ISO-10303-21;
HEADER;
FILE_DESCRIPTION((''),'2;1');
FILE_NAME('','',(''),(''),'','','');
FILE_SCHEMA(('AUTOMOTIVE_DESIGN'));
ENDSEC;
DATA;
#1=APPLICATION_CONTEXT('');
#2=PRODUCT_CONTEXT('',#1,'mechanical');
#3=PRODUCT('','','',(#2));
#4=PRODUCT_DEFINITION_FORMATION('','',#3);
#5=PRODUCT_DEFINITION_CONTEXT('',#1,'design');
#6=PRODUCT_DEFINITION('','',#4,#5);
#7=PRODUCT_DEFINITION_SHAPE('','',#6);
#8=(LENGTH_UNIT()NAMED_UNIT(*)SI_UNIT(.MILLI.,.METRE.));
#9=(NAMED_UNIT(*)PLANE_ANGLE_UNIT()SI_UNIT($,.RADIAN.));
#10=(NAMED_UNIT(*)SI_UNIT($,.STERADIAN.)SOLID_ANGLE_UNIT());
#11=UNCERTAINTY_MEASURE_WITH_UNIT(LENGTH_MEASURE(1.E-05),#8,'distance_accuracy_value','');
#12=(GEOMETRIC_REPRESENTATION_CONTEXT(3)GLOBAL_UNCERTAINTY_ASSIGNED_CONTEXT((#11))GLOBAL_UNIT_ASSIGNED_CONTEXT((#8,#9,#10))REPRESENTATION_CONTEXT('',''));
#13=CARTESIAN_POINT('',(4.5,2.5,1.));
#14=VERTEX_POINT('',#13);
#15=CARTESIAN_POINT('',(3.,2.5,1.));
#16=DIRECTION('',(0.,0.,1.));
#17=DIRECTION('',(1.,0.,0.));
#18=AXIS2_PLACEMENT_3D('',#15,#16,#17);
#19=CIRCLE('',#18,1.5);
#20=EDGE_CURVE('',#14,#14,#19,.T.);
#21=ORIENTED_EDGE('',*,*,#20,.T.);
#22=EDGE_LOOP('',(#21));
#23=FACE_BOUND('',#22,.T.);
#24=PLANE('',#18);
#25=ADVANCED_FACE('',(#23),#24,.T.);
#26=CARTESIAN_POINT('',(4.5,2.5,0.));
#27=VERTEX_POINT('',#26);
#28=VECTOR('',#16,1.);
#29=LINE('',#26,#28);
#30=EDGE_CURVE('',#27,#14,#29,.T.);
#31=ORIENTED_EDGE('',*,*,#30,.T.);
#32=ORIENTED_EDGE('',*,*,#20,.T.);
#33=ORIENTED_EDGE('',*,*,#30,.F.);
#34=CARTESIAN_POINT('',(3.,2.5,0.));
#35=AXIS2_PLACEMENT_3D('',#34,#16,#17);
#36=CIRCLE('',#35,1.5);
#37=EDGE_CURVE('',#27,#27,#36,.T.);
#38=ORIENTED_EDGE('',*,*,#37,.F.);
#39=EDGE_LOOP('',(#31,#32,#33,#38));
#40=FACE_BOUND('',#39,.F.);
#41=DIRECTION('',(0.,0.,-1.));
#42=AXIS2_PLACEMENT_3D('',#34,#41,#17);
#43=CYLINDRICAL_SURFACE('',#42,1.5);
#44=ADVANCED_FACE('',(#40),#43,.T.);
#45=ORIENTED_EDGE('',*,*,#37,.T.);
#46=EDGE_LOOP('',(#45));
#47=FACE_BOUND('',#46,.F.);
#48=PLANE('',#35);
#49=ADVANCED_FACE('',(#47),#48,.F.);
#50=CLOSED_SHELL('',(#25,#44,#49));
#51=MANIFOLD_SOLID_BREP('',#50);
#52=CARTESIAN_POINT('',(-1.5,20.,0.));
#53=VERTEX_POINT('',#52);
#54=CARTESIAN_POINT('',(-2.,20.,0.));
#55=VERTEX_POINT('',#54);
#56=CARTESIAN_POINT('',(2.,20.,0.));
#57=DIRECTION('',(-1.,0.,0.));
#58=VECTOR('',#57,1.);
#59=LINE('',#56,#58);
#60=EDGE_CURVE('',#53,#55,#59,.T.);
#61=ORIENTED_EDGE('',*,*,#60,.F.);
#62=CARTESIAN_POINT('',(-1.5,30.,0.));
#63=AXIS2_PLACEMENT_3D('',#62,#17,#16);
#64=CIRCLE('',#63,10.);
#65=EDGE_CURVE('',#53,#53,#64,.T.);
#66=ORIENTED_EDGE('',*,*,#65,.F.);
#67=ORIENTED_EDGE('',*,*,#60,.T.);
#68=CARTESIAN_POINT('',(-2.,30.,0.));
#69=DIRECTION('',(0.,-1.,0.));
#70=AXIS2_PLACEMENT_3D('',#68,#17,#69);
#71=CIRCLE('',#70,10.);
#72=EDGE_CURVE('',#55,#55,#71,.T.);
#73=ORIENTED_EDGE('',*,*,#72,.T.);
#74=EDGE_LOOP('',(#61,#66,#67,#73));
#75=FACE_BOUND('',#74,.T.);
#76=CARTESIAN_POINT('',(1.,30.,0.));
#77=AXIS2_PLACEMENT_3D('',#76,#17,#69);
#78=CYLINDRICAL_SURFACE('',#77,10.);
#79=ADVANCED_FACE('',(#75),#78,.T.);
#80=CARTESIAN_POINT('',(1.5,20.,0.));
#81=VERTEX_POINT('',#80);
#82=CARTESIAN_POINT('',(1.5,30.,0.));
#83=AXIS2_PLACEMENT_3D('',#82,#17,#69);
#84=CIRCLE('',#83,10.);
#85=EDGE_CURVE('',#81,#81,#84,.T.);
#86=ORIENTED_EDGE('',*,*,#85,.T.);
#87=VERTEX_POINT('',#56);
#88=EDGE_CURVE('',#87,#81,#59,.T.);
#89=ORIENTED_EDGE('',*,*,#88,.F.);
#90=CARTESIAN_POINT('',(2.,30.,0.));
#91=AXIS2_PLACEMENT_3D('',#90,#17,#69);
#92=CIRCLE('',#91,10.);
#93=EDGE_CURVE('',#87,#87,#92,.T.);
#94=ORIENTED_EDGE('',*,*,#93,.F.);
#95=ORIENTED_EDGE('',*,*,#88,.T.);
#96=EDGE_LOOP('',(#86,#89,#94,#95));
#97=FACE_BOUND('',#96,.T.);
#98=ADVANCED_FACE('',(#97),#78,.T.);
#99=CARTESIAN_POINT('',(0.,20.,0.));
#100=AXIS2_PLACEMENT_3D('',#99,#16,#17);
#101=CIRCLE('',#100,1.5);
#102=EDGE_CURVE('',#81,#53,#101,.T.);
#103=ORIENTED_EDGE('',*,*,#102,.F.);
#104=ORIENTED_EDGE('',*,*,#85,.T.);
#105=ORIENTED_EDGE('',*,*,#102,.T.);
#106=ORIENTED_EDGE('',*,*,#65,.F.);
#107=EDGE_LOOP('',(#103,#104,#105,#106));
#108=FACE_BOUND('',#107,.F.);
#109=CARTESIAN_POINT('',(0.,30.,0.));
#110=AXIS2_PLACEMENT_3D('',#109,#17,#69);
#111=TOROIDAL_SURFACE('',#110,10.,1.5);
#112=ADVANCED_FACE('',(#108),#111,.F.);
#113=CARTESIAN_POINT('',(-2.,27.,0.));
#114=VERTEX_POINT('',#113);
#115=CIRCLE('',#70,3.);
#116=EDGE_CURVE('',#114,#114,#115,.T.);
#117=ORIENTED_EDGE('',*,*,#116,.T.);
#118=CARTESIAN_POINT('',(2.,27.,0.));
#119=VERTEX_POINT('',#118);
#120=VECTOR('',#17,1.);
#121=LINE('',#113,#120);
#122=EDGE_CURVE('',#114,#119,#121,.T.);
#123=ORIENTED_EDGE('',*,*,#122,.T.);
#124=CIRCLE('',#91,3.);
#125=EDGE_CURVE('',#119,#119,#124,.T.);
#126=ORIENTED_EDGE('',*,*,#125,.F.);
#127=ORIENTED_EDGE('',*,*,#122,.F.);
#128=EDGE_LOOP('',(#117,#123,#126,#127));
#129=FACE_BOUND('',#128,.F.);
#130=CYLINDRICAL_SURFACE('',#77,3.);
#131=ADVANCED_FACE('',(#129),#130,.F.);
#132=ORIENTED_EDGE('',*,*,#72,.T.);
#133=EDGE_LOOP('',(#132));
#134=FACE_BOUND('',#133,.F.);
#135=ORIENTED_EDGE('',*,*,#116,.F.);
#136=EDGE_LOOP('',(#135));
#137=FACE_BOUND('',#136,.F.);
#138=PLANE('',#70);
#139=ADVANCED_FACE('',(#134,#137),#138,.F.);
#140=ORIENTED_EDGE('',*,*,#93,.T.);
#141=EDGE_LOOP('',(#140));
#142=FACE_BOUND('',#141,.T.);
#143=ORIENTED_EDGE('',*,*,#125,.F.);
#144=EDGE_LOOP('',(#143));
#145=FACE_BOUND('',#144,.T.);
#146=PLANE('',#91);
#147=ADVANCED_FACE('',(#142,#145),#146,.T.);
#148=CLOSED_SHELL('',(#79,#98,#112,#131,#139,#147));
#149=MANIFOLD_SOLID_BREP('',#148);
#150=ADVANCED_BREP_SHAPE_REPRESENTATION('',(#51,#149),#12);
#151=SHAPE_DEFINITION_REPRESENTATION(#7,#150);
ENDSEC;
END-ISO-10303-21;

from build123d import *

# Parameters (mm, degrees)
CIRCLE002_R    = 1.5
RECTANGLE001_W = 2
RECTANGLE001_H = 7
RECTANGLE_W    = 2
RECTANGLE_H    = 7
CIRCLE005_R    = 1.5
EXTRUDE_DEPTH  = 1


with BuildPart() as revolve_body:
    # Circle002 → Revolve (revolve)
    with BuildSketch(Plane(origin=(0, 20, 0), x_dir=(1, 0, 0), z_dir=(0, 0, 1))):
        Circle(CIRCLE002_R)
    revolve(axis=Axis((0, 30, 0), (1, 0, 0)))


with BuildPart() as revolve002:
    # Rectangle001 → Revolve002 (revolve)
    with BuildSketch(Plane(origin=(0, 20, 0), x_dir=(1, 0, 0), z_dir=(0, 0, 1))):
        with Locations((1, 3.5)):
            Rectangle(RECTANGLE001_W, RECTANGLE001_H)
    revolve(axis=Axis((0, 30, 0), (1, 0, 0)))


with BuildPart() as cut:
    # Rectangle → Revolve001 (revolve)
    with BuildSketch(Plane(origin=(-2, 20, 0), x_dir=(1, 0, 0), z_dir=(0, 0, 1))):
        with Locations((1, 3.5)):
            Rectangle(RECTANGLE_W, RECTANGLE_H)
    revolve(axis=Axis((0, 30, 0), (1, 0, 0)))

    # Fusion: union Revolve002
    add(revolve002.part)

    # Cut: cut Revolve body
    add(revolve_body.part, mode=Mode.SUBTRACT)


with BuildPart() as extrude_body:
    # Circle005 → Extrude (new body)
    with BuildSketch(Plane(origin=(3, 2.5, 0), x_dir=(1, 0, 0), z_dir=(0, 0, 1))):
        Circle(CIRCLE005_R)
    extrude(amount=EXTRUDE_DEPTH)


solid = Compound([cut.part, extrude_body.part])
